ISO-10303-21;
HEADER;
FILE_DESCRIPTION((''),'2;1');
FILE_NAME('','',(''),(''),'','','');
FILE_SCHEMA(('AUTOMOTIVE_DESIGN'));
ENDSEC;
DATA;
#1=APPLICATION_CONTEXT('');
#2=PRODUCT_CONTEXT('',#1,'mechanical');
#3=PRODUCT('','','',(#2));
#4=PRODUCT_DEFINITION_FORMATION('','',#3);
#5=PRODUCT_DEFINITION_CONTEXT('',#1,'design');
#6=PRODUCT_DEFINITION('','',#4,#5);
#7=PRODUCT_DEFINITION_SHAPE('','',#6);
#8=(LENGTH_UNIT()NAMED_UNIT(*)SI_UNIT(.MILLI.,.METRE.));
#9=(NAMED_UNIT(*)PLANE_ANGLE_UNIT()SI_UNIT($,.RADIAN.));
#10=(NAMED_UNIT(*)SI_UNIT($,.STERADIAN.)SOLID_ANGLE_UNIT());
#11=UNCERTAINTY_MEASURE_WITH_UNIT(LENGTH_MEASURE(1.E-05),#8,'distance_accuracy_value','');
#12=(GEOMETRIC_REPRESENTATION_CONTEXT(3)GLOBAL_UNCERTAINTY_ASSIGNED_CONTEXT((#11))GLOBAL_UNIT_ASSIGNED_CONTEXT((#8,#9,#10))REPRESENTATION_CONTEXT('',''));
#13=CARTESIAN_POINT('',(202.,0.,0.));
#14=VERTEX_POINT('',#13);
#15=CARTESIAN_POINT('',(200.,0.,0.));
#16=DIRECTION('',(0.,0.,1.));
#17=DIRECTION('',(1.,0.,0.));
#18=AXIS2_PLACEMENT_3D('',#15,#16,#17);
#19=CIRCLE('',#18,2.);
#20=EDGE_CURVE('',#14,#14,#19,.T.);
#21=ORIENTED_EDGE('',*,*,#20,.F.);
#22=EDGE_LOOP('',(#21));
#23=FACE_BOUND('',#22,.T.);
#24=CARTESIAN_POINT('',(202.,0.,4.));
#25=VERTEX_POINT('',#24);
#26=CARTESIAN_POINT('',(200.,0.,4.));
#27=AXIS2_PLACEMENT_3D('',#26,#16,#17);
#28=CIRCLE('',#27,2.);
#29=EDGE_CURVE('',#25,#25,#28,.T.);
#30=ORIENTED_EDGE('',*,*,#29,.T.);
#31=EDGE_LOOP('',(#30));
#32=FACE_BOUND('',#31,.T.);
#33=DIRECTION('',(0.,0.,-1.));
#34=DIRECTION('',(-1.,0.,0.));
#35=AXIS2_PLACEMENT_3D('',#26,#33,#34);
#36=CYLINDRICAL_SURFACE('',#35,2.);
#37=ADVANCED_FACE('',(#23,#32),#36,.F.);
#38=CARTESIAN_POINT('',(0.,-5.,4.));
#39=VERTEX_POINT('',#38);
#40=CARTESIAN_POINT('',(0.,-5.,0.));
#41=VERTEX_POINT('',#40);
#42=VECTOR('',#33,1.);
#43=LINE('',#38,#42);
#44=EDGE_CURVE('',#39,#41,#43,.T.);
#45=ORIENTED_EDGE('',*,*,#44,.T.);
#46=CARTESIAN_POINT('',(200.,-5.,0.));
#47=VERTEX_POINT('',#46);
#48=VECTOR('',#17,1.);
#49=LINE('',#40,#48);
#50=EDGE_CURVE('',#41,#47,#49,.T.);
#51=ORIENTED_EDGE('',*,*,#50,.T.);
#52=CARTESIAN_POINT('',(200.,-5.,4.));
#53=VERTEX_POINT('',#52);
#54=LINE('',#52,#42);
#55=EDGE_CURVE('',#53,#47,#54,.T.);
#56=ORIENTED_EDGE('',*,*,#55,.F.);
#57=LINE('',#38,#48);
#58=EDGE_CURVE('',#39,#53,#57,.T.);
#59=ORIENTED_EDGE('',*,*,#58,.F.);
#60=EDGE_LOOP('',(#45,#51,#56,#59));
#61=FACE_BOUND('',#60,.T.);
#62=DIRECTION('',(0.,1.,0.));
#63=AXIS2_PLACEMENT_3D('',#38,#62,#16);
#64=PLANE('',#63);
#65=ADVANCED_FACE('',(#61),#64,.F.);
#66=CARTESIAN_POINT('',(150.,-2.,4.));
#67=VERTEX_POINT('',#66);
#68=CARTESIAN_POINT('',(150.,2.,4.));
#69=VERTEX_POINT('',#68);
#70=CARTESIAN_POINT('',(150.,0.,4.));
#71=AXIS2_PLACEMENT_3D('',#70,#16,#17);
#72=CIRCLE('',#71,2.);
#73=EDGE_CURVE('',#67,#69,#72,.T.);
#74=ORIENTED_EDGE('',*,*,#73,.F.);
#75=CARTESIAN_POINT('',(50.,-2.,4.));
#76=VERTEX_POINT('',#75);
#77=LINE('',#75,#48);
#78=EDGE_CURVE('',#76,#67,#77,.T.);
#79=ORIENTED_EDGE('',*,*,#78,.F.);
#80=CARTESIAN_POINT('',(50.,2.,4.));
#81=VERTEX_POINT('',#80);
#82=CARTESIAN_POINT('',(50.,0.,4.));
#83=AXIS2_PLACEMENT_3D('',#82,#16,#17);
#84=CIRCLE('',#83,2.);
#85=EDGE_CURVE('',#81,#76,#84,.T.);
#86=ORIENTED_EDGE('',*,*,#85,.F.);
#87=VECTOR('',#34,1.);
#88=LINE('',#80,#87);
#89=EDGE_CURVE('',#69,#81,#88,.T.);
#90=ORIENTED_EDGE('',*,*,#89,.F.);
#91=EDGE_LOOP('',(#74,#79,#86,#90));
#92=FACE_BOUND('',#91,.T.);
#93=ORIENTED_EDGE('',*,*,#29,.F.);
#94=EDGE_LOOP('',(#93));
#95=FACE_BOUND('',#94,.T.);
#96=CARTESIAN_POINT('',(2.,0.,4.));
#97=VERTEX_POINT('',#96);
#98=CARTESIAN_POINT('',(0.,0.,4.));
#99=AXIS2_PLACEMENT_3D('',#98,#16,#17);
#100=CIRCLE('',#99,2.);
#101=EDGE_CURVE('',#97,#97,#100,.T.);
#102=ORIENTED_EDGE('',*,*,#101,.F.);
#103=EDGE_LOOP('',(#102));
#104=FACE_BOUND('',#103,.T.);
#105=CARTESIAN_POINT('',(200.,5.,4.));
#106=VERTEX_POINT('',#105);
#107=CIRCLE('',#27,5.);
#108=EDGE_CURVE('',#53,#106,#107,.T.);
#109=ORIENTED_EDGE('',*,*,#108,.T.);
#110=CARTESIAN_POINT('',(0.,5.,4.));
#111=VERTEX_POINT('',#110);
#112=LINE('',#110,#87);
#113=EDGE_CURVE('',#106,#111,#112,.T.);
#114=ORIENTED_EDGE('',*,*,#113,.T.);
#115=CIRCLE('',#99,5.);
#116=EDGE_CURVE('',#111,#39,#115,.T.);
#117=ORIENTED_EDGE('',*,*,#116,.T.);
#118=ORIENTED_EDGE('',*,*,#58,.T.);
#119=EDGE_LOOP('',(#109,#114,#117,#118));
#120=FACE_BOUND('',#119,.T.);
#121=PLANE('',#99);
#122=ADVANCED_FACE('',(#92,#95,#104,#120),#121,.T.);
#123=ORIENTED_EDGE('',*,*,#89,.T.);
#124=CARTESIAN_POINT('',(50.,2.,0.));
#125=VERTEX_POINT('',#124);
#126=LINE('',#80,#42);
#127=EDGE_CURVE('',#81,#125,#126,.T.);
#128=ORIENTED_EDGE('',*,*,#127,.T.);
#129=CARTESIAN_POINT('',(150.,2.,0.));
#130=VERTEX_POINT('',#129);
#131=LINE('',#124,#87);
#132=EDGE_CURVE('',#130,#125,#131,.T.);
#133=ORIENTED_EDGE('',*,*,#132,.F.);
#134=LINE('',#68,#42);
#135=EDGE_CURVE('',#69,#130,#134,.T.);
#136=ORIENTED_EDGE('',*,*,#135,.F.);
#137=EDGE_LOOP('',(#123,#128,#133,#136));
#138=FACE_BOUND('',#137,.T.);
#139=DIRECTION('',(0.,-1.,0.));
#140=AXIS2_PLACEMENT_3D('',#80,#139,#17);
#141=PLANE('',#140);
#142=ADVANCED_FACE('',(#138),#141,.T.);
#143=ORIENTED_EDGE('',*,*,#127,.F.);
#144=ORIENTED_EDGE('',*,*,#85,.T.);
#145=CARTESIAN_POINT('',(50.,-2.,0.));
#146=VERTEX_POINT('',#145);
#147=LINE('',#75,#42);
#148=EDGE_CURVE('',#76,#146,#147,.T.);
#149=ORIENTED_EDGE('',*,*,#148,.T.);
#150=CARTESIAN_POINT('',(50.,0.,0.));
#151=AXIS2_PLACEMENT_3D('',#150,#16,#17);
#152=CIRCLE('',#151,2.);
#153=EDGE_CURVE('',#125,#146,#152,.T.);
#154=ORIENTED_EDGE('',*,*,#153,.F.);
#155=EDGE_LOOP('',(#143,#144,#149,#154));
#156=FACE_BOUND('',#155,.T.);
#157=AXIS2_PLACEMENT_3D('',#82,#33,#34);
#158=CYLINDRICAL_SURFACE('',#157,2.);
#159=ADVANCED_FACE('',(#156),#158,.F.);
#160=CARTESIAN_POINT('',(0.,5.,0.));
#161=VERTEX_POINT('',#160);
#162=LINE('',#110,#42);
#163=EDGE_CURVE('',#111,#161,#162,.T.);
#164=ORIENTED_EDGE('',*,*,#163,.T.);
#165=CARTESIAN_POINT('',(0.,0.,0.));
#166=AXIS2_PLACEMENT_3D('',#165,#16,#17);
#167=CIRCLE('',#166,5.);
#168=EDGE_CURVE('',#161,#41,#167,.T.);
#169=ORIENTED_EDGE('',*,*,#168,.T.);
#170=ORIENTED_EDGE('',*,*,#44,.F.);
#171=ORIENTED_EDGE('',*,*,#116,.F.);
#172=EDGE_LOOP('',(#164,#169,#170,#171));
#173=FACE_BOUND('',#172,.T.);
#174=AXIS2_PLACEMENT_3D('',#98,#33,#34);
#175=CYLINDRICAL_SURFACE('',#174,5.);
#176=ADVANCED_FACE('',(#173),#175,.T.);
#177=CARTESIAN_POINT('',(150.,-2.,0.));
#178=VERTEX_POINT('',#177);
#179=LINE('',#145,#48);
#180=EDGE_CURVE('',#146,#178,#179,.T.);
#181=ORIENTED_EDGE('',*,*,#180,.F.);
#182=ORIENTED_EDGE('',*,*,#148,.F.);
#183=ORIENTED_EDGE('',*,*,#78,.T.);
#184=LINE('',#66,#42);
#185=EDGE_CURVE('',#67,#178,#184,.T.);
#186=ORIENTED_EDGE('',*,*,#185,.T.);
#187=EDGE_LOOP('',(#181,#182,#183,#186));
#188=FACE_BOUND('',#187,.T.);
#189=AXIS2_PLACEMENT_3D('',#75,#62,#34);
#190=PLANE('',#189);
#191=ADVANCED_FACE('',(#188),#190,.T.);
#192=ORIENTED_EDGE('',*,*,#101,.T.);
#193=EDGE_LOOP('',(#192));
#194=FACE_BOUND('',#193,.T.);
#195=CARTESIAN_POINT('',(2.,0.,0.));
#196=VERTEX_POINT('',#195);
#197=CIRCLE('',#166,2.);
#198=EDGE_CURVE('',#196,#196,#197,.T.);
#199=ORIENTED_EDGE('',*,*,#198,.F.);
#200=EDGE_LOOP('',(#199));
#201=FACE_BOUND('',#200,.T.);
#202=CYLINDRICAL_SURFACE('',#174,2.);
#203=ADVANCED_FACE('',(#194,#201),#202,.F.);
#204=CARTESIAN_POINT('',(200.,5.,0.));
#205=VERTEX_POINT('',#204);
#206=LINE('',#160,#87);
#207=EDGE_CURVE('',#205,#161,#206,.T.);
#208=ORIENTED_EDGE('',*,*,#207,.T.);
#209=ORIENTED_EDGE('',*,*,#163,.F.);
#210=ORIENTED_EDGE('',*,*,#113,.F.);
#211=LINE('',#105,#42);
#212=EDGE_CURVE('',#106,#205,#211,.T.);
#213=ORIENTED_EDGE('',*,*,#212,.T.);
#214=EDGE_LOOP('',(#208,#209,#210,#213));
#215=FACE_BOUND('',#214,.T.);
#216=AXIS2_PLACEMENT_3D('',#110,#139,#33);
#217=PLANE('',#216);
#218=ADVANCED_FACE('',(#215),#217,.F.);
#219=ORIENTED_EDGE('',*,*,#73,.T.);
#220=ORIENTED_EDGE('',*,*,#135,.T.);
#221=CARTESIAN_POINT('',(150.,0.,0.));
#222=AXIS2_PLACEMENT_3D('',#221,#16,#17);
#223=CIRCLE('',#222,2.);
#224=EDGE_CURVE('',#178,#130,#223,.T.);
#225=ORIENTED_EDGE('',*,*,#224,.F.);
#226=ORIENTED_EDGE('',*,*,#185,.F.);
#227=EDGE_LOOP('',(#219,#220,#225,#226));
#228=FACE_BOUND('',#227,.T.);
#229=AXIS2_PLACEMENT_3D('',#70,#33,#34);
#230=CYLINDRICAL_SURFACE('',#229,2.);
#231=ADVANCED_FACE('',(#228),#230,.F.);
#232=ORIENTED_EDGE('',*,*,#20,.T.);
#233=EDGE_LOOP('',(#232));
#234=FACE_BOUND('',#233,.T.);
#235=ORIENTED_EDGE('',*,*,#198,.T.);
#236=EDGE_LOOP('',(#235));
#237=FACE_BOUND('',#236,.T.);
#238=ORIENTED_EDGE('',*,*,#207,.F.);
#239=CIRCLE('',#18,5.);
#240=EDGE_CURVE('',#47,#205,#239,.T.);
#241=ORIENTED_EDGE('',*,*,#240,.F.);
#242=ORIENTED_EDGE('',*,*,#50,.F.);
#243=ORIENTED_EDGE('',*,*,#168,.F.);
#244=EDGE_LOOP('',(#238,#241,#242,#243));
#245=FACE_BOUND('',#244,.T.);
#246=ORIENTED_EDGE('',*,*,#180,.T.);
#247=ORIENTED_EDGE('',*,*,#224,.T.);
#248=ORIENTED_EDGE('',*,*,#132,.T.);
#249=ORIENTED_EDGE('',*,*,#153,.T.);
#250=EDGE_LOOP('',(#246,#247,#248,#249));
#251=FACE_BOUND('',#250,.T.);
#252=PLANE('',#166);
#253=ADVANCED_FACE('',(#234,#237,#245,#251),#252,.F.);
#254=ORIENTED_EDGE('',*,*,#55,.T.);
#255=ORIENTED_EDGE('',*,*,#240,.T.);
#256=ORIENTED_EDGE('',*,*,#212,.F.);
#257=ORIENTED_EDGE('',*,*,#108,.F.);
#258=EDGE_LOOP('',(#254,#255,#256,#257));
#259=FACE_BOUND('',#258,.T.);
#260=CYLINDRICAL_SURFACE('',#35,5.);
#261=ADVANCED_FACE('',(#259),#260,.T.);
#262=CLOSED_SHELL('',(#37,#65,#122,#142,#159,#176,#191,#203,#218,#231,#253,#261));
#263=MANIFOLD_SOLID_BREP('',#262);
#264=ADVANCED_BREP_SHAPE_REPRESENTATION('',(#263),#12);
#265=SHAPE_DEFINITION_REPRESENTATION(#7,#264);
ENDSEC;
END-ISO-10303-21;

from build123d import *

# Parameters (mm, degrees)
SKETCH1_R           = 2
BOSS_EXTRUDE1_DEPTH = 4


with BuildPart() as part:
    # Sketch1 → Boss-Extrude1 (new body)
    with BuildSketch(Plane.XY):
        with BuildLine():
            Line((0, 5), (200, 5))
            ThreePointArc((200, 5), (205, 0), (200, -5))
            Line((200, -5), (0, -5))
            ThreePointArc((0, -5), (-5, 0), (0, 5))
        make_face()
        Circle(SKETCH1_R, mode=Mode.SUBTRACT)
        with Locations((200, 0)):
            Circle(SKETCH1_R, mode=Mode.SUBTRACT)
        with BuildLine():
            Line((50, 2), (150, 2))
            ThreePointArc((150, 2), (152, 0), (150, -2))
            Line((150, -2), (50, -2))
            ThreePointArc((50, -2), (48, 0), (50, 2))
        make_face(mode=Mode.SUBTRACT)
    extrude(amount=BOSS_EXTRUDE1_DEPTH)


solid = part.part
